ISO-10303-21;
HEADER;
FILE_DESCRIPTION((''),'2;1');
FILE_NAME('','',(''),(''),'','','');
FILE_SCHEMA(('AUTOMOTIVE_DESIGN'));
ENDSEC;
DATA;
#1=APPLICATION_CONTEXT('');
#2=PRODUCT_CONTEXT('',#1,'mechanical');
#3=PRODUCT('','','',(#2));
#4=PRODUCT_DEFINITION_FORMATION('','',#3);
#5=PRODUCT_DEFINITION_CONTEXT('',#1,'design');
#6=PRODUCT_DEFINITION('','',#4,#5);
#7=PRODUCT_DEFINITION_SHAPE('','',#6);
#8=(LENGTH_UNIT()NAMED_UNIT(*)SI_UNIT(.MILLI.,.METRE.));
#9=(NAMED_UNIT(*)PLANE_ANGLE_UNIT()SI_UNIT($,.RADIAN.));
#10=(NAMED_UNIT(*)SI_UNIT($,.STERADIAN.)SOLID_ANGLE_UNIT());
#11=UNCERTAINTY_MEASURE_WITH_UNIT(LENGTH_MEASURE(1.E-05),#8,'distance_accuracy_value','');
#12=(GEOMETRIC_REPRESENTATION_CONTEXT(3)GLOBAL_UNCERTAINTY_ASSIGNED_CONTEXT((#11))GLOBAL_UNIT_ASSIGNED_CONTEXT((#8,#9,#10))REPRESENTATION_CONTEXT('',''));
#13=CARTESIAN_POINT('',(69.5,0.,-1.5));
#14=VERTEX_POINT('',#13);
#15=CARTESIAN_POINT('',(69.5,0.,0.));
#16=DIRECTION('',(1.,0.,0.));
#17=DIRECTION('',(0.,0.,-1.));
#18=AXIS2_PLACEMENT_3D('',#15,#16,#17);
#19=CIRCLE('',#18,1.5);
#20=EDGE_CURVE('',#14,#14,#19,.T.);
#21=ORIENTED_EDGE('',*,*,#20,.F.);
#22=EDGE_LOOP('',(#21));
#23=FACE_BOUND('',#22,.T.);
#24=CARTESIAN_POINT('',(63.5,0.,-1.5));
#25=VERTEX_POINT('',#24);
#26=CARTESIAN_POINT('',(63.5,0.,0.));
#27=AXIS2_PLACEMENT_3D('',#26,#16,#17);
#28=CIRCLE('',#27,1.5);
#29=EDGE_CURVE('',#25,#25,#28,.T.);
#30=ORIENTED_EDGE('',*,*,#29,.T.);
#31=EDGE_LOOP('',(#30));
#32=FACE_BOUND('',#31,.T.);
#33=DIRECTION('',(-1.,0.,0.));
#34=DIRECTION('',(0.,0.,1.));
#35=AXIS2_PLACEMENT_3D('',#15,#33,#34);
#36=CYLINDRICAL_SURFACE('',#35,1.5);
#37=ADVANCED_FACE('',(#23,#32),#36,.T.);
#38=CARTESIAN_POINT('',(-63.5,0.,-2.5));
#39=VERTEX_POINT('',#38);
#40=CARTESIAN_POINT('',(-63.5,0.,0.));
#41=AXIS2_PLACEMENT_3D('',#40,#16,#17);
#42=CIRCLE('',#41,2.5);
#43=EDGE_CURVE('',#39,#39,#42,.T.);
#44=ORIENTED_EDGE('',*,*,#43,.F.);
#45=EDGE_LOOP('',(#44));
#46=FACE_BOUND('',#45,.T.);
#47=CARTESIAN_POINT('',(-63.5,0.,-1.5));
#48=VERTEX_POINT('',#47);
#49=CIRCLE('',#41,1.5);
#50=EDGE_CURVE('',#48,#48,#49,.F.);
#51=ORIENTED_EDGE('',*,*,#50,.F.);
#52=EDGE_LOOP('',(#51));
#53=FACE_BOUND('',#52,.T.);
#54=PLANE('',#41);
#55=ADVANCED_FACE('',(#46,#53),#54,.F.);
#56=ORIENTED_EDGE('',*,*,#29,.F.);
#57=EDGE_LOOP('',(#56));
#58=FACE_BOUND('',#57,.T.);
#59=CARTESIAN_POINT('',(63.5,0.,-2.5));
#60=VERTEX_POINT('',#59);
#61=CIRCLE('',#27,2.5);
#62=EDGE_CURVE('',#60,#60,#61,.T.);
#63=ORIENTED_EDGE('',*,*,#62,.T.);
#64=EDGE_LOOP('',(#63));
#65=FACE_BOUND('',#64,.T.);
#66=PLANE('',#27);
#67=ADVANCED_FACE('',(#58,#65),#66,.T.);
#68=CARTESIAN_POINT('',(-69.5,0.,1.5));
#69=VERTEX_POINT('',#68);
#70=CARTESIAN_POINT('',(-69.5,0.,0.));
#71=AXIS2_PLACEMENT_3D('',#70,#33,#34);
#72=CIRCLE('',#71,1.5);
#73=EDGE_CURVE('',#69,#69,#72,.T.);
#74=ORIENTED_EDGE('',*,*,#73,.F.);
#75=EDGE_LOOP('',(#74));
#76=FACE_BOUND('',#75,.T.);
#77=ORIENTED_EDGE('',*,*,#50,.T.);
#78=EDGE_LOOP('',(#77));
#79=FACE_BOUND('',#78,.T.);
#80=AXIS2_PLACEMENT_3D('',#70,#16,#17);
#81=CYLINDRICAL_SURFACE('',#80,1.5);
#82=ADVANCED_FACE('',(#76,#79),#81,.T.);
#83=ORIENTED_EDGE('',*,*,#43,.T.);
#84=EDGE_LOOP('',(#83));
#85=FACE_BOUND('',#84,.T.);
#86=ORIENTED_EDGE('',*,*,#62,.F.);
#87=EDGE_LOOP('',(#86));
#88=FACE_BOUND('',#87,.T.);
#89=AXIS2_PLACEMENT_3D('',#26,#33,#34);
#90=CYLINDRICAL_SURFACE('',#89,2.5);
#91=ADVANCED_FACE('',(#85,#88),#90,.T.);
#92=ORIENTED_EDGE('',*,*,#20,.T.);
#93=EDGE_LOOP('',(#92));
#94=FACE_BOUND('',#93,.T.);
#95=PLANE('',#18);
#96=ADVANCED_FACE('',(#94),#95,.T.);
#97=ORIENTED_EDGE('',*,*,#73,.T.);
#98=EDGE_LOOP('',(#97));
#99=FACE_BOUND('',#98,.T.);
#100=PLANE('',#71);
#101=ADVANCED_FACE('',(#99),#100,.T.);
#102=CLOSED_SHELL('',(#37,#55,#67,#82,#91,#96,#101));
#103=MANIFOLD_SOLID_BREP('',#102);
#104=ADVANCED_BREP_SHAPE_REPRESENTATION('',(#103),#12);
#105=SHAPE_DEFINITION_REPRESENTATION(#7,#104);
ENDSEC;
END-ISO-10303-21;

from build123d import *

# Parameters (mm, degrees)
SKETCH1_R           = 2.5
BOSS_EXTRUDE1_DEPTH = 63.5
SKETCH2_R           = 1.5
BOSS_EXTRUDE2_DEPTH = 6
SKETCH3_R           = 1.5
BOSS_EXTRUDE3_DEPTH = 6


with BuildPart() as part:
    # Sketch1 → Boss-Extrude1 (new body, symmetric)
    with BuildSketch(Plane(origin=(0, 0, 0), x_dir=(0, 0, -1), z_dir=(1, 0, 0))):
        Circle(SKETCH1_R)
    extrude(amount=BOSS_EXTRUDE1_DEPTH, both=True)

    # Sketch2 → Boss-Extrude2 (add)
    with BuildSketch(Plane(origin=(63.5, 0, 0), x_dir=(0, 0, -1), z_dir=(1, 0, 0))):
        Circle(SKETCH2_R)
    extrude(amount=BOSS_EXTRUDE2_DEPTH)

    # Sketch3 → Boss-Extrude3 (add)
    with BuildSketch(Plane.ZY.offset(63.5)):
        Circle(SKETCH3_R)
    extrude(amount=BOSS_EXTRUDE3_DEPTH)


solid = part.part
